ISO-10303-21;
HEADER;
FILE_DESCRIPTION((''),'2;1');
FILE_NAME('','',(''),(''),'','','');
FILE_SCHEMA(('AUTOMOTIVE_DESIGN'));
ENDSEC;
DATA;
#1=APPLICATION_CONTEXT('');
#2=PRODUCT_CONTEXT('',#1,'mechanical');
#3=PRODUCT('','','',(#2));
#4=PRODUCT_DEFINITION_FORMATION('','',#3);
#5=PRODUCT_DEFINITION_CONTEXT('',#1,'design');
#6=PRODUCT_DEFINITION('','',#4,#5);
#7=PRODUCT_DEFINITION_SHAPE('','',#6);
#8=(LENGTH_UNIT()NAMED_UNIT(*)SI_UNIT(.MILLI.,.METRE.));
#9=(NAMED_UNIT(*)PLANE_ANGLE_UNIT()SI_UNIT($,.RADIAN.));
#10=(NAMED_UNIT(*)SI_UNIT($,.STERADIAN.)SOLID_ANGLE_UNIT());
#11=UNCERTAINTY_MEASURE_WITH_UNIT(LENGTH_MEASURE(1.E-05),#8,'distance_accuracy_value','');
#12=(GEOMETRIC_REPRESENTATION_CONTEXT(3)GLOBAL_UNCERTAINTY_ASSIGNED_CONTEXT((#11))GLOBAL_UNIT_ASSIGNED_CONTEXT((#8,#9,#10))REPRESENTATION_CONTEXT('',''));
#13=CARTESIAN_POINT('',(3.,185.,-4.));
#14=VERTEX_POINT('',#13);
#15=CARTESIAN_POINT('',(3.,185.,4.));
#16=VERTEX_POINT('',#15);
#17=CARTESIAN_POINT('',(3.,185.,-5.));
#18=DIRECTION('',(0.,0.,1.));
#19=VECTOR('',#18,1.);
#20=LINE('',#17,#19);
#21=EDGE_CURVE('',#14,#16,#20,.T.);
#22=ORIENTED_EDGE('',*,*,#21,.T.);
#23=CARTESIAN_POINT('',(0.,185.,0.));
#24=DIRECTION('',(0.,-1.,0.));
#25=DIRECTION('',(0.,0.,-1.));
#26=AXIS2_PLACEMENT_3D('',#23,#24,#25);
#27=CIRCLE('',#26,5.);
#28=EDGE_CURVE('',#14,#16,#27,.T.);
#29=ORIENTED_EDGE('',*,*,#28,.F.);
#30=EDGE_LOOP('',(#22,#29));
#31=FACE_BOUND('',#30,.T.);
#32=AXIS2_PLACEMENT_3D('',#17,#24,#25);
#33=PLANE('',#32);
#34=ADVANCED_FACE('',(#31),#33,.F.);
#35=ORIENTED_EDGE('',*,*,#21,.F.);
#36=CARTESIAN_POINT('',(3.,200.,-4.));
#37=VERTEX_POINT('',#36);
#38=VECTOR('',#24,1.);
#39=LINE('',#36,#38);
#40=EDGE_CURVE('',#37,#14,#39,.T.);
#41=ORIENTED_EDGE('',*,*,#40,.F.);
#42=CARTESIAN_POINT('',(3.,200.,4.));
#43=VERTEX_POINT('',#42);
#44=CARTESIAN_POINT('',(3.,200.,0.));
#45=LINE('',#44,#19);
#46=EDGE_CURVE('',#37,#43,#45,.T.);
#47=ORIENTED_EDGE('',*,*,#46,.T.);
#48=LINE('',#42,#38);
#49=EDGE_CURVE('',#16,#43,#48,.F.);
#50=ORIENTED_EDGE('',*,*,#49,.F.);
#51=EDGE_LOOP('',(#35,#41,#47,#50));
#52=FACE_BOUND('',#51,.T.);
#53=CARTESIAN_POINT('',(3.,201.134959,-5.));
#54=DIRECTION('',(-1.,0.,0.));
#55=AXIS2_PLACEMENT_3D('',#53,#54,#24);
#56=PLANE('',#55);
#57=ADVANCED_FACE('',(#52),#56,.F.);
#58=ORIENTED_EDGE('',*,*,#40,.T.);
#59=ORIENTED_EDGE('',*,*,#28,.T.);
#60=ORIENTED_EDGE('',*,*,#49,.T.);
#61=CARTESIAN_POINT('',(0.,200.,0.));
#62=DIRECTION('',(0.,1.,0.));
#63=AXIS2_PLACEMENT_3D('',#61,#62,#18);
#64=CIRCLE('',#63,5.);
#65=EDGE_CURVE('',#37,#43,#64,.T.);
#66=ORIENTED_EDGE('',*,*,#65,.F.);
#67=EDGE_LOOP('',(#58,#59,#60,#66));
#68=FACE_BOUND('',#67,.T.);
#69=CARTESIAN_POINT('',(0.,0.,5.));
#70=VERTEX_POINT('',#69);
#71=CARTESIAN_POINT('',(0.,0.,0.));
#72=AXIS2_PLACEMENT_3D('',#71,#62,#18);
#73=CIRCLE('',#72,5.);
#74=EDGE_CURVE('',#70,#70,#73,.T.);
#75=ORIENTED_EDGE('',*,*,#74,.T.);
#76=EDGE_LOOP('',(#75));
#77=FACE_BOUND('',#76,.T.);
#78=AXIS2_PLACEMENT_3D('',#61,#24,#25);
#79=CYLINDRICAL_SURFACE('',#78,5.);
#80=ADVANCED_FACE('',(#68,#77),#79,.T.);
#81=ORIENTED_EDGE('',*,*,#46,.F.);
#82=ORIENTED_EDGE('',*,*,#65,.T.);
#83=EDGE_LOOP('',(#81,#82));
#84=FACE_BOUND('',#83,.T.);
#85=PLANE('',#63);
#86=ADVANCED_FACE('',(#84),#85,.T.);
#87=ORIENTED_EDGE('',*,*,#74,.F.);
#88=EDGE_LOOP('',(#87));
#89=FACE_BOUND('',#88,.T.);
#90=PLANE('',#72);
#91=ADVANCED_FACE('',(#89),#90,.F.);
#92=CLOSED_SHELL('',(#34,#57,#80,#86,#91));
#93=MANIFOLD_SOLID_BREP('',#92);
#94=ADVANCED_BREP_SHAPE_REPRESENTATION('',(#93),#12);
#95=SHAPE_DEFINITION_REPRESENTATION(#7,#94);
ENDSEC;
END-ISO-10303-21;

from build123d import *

# Parameters (mm, degrees)
SKETCH1_R       = 5
BASE_DEPTH      = 200
SKETCH2_W       = 2
SKETCH2_H       = 16.134958609
SLOT_DEPTH      = 6
SLOT_DEPTH_BACK = 6


with BuildPart() as part:
    # Sketch1 → Base (new body)
    with BuildSketch(Plane(origin=(0, 0, 0), x_dir=(1, 0, 0), z_dir=(0, 1, 0))):
        Circle(SKETCH1_R)
    extrude(amount=BASE_DEPTH)

    # Sketch2 → Slot (cut, two sides)
    with BuildSketch(Plane.XY) as slot_sk:
        with Locations((4, 193.067479305)):
            Rectangle(SKETCH2_W, SKETCH2_H)
    extrude(amount=SLOT_DEPTH, mode=Mode.SUBTRACT)
    extrude(slot_sk.sketch, amount=-SLOT_DEPTH_BACK, mode=Mode.SUBTRACT)


solid = part.part
